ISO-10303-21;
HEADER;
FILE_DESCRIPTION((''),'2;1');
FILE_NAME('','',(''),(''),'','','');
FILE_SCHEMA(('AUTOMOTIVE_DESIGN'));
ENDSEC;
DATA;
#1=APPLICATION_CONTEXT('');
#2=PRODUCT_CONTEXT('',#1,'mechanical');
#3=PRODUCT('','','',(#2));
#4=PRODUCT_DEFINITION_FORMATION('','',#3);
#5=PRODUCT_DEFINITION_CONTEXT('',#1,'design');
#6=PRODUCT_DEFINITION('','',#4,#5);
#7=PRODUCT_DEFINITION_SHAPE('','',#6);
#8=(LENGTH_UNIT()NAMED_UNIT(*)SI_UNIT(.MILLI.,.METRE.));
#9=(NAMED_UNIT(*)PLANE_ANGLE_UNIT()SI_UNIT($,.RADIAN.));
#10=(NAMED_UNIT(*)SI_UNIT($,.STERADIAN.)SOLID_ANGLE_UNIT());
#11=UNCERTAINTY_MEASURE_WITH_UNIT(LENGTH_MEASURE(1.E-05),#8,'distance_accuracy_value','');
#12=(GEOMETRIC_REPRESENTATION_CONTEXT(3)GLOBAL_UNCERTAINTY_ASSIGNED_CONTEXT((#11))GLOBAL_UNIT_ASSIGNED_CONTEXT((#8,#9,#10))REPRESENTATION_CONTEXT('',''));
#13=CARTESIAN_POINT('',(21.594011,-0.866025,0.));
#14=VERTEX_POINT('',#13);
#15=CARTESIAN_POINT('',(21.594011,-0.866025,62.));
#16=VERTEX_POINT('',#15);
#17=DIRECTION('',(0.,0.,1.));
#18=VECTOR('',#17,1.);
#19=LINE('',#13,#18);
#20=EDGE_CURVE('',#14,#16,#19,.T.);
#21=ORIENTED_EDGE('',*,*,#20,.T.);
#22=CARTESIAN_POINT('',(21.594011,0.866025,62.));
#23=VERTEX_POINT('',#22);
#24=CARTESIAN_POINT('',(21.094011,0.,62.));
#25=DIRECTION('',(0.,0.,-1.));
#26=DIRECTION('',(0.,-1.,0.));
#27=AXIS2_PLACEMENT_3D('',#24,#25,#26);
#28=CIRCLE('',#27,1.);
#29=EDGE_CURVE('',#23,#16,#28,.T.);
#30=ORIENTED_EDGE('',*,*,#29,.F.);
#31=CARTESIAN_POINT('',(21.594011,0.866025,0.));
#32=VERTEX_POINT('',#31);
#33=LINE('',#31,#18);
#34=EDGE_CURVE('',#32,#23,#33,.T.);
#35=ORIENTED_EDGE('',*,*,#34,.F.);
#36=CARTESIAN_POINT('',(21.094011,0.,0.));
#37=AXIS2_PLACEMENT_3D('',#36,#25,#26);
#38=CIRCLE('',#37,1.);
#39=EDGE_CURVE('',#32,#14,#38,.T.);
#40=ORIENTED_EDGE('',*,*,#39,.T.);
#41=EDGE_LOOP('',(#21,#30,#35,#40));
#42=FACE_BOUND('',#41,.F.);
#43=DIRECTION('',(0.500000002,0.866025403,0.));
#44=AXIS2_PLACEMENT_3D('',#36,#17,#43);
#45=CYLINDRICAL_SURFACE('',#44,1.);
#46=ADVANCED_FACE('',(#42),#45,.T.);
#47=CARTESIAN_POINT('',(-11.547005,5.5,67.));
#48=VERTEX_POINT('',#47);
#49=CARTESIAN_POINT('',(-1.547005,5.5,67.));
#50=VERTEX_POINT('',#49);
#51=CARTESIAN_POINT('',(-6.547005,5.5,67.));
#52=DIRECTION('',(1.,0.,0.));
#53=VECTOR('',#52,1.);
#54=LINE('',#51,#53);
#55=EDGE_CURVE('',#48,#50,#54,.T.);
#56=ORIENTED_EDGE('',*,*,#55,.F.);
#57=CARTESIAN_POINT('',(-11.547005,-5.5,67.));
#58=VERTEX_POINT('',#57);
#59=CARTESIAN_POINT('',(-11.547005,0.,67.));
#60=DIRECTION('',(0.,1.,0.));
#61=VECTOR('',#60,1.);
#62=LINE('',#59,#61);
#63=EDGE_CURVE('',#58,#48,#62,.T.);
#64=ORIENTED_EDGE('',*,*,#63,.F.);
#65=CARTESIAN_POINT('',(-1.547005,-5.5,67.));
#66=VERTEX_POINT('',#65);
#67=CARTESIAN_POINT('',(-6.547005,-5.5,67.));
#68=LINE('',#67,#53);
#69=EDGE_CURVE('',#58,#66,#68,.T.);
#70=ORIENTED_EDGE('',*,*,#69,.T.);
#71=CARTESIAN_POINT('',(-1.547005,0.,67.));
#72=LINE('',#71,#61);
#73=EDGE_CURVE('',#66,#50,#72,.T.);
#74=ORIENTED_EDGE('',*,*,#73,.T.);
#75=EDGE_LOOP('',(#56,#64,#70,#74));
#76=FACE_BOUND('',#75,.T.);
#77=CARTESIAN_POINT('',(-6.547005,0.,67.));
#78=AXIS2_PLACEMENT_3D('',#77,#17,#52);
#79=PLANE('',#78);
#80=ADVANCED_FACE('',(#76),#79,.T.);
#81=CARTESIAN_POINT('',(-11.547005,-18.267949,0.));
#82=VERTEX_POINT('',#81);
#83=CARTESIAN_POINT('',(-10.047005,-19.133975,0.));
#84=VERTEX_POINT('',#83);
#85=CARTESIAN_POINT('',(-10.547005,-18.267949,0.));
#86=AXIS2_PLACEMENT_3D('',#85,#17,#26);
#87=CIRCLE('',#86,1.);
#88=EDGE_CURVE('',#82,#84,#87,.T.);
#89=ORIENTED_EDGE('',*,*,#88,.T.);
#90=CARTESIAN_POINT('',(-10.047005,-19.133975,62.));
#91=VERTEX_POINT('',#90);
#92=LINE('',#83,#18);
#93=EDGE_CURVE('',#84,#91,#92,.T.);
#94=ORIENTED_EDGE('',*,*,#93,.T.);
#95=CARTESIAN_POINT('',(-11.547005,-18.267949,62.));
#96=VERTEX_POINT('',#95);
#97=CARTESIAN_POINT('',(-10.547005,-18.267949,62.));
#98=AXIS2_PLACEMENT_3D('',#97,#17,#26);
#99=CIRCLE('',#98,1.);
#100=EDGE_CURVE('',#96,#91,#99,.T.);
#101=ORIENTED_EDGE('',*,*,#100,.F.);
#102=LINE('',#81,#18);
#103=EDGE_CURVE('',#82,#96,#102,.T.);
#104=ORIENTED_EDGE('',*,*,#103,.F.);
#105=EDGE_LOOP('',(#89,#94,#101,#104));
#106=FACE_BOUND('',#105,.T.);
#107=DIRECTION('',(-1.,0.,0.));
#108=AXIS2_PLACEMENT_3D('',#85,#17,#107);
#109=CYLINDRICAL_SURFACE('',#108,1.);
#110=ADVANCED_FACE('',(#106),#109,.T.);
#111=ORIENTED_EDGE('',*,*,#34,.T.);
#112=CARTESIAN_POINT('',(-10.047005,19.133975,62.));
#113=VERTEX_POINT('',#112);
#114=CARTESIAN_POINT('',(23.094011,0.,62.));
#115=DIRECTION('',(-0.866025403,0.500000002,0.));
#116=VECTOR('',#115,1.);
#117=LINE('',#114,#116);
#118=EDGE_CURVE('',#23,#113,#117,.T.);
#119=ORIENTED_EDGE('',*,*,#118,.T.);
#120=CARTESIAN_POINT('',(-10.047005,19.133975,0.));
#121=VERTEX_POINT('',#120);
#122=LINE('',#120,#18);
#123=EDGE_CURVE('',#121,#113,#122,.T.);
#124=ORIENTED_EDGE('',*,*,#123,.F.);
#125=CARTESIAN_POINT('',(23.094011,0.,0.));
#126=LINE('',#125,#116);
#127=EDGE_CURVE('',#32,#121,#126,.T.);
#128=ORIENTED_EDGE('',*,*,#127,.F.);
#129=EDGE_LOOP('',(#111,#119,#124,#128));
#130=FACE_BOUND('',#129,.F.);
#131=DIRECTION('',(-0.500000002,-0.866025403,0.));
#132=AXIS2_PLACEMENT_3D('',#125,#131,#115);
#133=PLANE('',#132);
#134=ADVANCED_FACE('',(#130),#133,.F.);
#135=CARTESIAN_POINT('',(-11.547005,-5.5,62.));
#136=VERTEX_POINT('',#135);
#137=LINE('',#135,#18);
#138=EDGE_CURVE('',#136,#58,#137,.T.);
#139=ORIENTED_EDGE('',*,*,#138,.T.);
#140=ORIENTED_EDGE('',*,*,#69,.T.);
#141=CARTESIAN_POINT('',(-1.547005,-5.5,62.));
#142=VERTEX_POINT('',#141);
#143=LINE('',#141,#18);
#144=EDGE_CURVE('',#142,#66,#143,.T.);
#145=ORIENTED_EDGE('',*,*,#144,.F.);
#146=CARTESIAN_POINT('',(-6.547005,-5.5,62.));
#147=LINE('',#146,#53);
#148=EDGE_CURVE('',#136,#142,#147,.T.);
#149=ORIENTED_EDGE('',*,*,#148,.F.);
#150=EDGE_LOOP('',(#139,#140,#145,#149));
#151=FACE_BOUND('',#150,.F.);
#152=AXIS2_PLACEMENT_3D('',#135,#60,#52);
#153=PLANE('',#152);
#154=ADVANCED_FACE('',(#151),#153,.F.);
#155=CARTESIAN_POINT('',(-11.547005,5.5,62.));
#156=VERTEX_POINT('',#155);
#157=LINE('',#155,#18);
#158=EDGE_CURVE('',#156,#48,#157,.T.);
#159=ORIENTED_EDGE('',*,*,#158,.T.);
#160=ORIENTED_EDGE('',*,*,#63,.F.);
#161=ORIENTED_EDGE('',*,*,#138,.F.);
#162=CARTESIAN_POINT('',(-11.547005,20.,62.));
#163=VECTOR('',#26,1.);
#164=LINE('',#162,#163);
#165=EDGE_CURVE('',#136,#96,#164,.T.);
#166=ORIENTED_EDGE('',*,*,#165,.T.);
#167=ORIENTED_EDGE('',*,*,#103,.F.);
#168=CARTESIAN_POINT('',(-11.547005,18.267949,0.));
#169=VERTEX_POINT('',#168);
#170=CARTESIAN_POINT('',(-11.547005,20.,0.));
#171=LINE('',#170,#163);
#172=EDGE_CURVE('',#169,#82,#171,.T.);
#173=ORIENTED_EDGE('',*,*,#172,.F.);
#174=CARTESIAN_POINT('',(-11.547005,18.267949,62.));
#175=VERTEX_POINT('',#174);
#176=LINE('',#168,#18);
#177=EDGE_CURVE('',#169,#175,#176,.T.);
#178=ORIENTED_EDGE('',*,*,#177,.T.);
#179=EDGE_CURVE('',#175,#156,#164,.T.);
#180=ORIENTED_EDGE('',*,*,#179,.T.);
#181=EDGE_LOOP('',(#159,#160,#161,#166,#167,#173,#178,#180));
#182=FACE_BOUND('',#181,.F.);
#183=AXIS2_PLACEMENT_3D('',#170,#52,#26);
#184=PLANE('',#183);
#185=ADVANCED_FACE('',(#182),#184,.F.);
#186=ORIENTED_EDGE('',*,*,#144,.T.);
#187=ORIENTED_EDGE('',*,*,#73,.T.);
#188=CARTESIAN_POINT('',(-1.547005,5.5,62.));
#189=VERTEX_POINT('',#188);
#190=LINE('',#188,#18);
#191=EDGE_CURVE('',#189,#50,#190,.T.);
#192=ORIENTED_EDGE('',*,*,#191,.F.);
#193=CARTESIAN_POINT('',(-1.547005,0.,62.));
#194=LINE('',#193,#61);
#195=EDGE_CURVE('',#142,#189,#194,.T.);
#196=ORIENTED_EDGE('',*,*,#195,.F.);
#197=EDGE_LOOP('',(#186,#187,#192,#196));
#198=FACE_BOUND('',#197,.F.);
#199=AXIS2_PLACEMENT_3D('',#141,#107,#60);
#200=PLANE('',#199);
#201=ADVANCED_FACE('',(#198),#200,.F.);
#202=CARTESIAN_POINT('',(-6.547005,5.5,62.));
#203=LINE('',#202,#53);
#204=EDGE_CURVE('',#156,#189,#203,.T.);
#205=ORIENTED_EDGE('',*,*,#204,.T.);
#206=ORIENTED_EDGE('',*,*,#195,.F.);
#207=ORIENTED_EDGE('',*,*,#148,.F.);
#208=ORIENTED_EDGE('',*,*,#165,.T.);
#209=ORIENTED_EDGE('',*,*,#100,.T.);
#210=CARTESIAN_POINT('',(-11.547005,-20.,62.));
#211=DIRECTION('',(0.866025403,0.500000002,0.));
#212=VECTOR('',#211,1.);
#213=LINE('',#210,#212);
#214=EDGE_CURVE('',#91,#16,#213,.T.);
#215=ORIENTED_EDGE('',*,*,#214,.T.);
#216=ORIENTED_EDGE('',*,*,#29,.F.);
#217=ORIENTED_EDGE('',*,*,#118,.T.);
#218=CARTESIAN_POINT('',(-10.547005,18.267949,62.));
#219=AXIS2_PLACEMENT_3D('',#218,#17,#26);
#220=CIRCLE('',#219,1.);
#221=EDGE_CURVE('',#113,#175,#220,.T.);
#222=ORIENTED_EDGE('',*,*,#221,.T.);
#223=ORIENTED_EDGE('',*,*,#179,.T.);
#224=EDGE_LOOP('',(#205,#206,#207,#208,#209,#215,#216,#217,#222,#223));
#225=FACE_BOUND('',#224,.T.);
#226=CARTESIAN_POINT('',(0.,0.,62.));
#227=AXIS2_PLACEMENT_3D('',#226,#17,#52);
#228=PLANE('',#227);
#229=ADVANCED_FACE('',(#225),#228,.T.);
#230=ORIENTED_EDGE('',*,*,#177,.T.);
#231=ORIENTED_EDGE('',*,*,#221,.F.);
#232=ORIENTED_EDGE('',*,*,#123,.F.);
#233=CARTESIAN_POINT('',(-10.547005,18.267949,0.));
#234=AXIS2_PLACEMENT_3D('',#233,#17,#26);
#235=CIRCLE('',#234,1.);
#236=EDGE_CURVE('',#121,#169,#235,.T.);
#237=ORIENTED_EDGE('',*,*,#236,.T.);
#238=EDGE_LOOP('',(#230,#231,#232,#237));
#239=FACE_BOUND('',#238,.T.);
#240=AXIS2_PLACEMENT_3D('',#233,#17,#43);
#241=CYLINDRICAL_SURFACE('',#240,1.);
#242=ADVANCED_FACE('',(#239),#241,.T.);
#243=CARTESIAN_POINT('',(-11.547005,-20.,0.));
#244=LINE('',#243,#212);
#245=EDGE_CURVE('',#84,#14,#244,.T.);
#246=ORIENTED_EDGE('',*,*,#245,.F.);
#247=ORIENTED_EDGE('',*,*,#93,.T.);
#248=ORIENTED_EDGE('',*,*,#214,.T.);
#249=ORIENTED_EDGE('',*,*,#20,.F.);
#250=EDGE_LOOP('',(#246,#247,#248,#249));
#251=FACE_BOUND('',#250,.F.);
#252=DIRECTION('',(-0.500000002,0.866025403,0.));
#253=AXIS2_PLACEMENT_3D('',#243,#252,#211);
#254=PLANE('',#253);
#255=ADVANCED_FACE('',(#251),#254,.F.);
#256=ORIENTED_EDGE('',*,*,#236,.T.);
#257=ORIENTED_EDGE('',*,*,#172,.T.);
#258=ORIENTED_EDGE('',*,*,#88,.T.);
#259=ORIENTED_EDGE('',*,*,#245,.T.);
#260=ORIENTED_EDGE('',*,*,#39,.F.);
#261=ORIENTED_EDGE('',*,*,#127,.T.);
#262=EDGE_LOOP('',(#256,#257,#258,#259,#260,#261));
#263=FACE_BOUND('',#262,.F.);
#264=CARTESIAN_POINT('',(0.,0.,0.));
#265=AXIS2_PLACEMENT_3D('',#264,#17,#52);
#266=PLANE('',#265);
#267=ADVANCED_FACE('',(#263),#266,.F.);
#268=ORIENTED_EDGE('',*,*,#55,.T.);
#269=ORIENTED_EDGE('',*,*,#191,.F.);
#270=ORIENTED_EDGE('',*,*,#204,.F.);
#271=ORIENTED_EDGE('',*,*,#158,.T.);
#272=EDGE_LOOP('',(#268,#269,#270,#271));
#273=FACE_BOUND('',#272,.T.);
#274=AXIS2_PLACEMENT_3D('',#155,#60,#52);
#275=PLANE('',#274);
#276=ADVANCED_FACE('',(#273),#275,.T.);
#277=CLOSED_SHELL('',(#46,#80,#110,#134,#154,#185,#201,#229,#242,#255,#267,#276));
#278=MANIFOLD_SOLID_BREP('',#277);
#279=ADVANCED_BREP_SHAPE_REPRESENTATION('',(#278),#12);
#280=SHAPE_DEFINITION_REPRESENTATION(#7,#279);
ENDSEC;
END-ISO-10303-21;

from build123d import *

# Parameters (mm, degrees)
PAD_DEPTH    = 62
FILLET_R     = 1
SKETCH001_W  = 10
SKETCH001_H  = 11
PAD001_DEPTH = 5


with BuildPart() as part:
    # Sketch (on XY_Plane of Origin) → Pad (new body)
    with BuildSketch(Plane.XY):
        Polygon((23.094011, 0), (-11.547005, 20), (-11.547005, -20), align=None)
    extrude(amount=PAD_DEPTH)

    # Fillet
    fillet_edges = [part.edges().sort_by_distance(p)[0] for p in [
        (-11.547005, 20, 31),
        (23.094011, 0, 31),
        (-11.547005, -20, 31),
    ]]
    fillet(fillet_edges, radius=FILLET_R)

    # Sketch001 (on Face5 of Fillet) → Pad001 (join)
    with BuildSketch(Plane.XY.offset(62)):
        with Locations((-6.547005, 0)):
            Rectangle(SKETCH001_W, SKETCH001_H)
    extrude(amount=PAD001_DEPTH)


solid = part.part
